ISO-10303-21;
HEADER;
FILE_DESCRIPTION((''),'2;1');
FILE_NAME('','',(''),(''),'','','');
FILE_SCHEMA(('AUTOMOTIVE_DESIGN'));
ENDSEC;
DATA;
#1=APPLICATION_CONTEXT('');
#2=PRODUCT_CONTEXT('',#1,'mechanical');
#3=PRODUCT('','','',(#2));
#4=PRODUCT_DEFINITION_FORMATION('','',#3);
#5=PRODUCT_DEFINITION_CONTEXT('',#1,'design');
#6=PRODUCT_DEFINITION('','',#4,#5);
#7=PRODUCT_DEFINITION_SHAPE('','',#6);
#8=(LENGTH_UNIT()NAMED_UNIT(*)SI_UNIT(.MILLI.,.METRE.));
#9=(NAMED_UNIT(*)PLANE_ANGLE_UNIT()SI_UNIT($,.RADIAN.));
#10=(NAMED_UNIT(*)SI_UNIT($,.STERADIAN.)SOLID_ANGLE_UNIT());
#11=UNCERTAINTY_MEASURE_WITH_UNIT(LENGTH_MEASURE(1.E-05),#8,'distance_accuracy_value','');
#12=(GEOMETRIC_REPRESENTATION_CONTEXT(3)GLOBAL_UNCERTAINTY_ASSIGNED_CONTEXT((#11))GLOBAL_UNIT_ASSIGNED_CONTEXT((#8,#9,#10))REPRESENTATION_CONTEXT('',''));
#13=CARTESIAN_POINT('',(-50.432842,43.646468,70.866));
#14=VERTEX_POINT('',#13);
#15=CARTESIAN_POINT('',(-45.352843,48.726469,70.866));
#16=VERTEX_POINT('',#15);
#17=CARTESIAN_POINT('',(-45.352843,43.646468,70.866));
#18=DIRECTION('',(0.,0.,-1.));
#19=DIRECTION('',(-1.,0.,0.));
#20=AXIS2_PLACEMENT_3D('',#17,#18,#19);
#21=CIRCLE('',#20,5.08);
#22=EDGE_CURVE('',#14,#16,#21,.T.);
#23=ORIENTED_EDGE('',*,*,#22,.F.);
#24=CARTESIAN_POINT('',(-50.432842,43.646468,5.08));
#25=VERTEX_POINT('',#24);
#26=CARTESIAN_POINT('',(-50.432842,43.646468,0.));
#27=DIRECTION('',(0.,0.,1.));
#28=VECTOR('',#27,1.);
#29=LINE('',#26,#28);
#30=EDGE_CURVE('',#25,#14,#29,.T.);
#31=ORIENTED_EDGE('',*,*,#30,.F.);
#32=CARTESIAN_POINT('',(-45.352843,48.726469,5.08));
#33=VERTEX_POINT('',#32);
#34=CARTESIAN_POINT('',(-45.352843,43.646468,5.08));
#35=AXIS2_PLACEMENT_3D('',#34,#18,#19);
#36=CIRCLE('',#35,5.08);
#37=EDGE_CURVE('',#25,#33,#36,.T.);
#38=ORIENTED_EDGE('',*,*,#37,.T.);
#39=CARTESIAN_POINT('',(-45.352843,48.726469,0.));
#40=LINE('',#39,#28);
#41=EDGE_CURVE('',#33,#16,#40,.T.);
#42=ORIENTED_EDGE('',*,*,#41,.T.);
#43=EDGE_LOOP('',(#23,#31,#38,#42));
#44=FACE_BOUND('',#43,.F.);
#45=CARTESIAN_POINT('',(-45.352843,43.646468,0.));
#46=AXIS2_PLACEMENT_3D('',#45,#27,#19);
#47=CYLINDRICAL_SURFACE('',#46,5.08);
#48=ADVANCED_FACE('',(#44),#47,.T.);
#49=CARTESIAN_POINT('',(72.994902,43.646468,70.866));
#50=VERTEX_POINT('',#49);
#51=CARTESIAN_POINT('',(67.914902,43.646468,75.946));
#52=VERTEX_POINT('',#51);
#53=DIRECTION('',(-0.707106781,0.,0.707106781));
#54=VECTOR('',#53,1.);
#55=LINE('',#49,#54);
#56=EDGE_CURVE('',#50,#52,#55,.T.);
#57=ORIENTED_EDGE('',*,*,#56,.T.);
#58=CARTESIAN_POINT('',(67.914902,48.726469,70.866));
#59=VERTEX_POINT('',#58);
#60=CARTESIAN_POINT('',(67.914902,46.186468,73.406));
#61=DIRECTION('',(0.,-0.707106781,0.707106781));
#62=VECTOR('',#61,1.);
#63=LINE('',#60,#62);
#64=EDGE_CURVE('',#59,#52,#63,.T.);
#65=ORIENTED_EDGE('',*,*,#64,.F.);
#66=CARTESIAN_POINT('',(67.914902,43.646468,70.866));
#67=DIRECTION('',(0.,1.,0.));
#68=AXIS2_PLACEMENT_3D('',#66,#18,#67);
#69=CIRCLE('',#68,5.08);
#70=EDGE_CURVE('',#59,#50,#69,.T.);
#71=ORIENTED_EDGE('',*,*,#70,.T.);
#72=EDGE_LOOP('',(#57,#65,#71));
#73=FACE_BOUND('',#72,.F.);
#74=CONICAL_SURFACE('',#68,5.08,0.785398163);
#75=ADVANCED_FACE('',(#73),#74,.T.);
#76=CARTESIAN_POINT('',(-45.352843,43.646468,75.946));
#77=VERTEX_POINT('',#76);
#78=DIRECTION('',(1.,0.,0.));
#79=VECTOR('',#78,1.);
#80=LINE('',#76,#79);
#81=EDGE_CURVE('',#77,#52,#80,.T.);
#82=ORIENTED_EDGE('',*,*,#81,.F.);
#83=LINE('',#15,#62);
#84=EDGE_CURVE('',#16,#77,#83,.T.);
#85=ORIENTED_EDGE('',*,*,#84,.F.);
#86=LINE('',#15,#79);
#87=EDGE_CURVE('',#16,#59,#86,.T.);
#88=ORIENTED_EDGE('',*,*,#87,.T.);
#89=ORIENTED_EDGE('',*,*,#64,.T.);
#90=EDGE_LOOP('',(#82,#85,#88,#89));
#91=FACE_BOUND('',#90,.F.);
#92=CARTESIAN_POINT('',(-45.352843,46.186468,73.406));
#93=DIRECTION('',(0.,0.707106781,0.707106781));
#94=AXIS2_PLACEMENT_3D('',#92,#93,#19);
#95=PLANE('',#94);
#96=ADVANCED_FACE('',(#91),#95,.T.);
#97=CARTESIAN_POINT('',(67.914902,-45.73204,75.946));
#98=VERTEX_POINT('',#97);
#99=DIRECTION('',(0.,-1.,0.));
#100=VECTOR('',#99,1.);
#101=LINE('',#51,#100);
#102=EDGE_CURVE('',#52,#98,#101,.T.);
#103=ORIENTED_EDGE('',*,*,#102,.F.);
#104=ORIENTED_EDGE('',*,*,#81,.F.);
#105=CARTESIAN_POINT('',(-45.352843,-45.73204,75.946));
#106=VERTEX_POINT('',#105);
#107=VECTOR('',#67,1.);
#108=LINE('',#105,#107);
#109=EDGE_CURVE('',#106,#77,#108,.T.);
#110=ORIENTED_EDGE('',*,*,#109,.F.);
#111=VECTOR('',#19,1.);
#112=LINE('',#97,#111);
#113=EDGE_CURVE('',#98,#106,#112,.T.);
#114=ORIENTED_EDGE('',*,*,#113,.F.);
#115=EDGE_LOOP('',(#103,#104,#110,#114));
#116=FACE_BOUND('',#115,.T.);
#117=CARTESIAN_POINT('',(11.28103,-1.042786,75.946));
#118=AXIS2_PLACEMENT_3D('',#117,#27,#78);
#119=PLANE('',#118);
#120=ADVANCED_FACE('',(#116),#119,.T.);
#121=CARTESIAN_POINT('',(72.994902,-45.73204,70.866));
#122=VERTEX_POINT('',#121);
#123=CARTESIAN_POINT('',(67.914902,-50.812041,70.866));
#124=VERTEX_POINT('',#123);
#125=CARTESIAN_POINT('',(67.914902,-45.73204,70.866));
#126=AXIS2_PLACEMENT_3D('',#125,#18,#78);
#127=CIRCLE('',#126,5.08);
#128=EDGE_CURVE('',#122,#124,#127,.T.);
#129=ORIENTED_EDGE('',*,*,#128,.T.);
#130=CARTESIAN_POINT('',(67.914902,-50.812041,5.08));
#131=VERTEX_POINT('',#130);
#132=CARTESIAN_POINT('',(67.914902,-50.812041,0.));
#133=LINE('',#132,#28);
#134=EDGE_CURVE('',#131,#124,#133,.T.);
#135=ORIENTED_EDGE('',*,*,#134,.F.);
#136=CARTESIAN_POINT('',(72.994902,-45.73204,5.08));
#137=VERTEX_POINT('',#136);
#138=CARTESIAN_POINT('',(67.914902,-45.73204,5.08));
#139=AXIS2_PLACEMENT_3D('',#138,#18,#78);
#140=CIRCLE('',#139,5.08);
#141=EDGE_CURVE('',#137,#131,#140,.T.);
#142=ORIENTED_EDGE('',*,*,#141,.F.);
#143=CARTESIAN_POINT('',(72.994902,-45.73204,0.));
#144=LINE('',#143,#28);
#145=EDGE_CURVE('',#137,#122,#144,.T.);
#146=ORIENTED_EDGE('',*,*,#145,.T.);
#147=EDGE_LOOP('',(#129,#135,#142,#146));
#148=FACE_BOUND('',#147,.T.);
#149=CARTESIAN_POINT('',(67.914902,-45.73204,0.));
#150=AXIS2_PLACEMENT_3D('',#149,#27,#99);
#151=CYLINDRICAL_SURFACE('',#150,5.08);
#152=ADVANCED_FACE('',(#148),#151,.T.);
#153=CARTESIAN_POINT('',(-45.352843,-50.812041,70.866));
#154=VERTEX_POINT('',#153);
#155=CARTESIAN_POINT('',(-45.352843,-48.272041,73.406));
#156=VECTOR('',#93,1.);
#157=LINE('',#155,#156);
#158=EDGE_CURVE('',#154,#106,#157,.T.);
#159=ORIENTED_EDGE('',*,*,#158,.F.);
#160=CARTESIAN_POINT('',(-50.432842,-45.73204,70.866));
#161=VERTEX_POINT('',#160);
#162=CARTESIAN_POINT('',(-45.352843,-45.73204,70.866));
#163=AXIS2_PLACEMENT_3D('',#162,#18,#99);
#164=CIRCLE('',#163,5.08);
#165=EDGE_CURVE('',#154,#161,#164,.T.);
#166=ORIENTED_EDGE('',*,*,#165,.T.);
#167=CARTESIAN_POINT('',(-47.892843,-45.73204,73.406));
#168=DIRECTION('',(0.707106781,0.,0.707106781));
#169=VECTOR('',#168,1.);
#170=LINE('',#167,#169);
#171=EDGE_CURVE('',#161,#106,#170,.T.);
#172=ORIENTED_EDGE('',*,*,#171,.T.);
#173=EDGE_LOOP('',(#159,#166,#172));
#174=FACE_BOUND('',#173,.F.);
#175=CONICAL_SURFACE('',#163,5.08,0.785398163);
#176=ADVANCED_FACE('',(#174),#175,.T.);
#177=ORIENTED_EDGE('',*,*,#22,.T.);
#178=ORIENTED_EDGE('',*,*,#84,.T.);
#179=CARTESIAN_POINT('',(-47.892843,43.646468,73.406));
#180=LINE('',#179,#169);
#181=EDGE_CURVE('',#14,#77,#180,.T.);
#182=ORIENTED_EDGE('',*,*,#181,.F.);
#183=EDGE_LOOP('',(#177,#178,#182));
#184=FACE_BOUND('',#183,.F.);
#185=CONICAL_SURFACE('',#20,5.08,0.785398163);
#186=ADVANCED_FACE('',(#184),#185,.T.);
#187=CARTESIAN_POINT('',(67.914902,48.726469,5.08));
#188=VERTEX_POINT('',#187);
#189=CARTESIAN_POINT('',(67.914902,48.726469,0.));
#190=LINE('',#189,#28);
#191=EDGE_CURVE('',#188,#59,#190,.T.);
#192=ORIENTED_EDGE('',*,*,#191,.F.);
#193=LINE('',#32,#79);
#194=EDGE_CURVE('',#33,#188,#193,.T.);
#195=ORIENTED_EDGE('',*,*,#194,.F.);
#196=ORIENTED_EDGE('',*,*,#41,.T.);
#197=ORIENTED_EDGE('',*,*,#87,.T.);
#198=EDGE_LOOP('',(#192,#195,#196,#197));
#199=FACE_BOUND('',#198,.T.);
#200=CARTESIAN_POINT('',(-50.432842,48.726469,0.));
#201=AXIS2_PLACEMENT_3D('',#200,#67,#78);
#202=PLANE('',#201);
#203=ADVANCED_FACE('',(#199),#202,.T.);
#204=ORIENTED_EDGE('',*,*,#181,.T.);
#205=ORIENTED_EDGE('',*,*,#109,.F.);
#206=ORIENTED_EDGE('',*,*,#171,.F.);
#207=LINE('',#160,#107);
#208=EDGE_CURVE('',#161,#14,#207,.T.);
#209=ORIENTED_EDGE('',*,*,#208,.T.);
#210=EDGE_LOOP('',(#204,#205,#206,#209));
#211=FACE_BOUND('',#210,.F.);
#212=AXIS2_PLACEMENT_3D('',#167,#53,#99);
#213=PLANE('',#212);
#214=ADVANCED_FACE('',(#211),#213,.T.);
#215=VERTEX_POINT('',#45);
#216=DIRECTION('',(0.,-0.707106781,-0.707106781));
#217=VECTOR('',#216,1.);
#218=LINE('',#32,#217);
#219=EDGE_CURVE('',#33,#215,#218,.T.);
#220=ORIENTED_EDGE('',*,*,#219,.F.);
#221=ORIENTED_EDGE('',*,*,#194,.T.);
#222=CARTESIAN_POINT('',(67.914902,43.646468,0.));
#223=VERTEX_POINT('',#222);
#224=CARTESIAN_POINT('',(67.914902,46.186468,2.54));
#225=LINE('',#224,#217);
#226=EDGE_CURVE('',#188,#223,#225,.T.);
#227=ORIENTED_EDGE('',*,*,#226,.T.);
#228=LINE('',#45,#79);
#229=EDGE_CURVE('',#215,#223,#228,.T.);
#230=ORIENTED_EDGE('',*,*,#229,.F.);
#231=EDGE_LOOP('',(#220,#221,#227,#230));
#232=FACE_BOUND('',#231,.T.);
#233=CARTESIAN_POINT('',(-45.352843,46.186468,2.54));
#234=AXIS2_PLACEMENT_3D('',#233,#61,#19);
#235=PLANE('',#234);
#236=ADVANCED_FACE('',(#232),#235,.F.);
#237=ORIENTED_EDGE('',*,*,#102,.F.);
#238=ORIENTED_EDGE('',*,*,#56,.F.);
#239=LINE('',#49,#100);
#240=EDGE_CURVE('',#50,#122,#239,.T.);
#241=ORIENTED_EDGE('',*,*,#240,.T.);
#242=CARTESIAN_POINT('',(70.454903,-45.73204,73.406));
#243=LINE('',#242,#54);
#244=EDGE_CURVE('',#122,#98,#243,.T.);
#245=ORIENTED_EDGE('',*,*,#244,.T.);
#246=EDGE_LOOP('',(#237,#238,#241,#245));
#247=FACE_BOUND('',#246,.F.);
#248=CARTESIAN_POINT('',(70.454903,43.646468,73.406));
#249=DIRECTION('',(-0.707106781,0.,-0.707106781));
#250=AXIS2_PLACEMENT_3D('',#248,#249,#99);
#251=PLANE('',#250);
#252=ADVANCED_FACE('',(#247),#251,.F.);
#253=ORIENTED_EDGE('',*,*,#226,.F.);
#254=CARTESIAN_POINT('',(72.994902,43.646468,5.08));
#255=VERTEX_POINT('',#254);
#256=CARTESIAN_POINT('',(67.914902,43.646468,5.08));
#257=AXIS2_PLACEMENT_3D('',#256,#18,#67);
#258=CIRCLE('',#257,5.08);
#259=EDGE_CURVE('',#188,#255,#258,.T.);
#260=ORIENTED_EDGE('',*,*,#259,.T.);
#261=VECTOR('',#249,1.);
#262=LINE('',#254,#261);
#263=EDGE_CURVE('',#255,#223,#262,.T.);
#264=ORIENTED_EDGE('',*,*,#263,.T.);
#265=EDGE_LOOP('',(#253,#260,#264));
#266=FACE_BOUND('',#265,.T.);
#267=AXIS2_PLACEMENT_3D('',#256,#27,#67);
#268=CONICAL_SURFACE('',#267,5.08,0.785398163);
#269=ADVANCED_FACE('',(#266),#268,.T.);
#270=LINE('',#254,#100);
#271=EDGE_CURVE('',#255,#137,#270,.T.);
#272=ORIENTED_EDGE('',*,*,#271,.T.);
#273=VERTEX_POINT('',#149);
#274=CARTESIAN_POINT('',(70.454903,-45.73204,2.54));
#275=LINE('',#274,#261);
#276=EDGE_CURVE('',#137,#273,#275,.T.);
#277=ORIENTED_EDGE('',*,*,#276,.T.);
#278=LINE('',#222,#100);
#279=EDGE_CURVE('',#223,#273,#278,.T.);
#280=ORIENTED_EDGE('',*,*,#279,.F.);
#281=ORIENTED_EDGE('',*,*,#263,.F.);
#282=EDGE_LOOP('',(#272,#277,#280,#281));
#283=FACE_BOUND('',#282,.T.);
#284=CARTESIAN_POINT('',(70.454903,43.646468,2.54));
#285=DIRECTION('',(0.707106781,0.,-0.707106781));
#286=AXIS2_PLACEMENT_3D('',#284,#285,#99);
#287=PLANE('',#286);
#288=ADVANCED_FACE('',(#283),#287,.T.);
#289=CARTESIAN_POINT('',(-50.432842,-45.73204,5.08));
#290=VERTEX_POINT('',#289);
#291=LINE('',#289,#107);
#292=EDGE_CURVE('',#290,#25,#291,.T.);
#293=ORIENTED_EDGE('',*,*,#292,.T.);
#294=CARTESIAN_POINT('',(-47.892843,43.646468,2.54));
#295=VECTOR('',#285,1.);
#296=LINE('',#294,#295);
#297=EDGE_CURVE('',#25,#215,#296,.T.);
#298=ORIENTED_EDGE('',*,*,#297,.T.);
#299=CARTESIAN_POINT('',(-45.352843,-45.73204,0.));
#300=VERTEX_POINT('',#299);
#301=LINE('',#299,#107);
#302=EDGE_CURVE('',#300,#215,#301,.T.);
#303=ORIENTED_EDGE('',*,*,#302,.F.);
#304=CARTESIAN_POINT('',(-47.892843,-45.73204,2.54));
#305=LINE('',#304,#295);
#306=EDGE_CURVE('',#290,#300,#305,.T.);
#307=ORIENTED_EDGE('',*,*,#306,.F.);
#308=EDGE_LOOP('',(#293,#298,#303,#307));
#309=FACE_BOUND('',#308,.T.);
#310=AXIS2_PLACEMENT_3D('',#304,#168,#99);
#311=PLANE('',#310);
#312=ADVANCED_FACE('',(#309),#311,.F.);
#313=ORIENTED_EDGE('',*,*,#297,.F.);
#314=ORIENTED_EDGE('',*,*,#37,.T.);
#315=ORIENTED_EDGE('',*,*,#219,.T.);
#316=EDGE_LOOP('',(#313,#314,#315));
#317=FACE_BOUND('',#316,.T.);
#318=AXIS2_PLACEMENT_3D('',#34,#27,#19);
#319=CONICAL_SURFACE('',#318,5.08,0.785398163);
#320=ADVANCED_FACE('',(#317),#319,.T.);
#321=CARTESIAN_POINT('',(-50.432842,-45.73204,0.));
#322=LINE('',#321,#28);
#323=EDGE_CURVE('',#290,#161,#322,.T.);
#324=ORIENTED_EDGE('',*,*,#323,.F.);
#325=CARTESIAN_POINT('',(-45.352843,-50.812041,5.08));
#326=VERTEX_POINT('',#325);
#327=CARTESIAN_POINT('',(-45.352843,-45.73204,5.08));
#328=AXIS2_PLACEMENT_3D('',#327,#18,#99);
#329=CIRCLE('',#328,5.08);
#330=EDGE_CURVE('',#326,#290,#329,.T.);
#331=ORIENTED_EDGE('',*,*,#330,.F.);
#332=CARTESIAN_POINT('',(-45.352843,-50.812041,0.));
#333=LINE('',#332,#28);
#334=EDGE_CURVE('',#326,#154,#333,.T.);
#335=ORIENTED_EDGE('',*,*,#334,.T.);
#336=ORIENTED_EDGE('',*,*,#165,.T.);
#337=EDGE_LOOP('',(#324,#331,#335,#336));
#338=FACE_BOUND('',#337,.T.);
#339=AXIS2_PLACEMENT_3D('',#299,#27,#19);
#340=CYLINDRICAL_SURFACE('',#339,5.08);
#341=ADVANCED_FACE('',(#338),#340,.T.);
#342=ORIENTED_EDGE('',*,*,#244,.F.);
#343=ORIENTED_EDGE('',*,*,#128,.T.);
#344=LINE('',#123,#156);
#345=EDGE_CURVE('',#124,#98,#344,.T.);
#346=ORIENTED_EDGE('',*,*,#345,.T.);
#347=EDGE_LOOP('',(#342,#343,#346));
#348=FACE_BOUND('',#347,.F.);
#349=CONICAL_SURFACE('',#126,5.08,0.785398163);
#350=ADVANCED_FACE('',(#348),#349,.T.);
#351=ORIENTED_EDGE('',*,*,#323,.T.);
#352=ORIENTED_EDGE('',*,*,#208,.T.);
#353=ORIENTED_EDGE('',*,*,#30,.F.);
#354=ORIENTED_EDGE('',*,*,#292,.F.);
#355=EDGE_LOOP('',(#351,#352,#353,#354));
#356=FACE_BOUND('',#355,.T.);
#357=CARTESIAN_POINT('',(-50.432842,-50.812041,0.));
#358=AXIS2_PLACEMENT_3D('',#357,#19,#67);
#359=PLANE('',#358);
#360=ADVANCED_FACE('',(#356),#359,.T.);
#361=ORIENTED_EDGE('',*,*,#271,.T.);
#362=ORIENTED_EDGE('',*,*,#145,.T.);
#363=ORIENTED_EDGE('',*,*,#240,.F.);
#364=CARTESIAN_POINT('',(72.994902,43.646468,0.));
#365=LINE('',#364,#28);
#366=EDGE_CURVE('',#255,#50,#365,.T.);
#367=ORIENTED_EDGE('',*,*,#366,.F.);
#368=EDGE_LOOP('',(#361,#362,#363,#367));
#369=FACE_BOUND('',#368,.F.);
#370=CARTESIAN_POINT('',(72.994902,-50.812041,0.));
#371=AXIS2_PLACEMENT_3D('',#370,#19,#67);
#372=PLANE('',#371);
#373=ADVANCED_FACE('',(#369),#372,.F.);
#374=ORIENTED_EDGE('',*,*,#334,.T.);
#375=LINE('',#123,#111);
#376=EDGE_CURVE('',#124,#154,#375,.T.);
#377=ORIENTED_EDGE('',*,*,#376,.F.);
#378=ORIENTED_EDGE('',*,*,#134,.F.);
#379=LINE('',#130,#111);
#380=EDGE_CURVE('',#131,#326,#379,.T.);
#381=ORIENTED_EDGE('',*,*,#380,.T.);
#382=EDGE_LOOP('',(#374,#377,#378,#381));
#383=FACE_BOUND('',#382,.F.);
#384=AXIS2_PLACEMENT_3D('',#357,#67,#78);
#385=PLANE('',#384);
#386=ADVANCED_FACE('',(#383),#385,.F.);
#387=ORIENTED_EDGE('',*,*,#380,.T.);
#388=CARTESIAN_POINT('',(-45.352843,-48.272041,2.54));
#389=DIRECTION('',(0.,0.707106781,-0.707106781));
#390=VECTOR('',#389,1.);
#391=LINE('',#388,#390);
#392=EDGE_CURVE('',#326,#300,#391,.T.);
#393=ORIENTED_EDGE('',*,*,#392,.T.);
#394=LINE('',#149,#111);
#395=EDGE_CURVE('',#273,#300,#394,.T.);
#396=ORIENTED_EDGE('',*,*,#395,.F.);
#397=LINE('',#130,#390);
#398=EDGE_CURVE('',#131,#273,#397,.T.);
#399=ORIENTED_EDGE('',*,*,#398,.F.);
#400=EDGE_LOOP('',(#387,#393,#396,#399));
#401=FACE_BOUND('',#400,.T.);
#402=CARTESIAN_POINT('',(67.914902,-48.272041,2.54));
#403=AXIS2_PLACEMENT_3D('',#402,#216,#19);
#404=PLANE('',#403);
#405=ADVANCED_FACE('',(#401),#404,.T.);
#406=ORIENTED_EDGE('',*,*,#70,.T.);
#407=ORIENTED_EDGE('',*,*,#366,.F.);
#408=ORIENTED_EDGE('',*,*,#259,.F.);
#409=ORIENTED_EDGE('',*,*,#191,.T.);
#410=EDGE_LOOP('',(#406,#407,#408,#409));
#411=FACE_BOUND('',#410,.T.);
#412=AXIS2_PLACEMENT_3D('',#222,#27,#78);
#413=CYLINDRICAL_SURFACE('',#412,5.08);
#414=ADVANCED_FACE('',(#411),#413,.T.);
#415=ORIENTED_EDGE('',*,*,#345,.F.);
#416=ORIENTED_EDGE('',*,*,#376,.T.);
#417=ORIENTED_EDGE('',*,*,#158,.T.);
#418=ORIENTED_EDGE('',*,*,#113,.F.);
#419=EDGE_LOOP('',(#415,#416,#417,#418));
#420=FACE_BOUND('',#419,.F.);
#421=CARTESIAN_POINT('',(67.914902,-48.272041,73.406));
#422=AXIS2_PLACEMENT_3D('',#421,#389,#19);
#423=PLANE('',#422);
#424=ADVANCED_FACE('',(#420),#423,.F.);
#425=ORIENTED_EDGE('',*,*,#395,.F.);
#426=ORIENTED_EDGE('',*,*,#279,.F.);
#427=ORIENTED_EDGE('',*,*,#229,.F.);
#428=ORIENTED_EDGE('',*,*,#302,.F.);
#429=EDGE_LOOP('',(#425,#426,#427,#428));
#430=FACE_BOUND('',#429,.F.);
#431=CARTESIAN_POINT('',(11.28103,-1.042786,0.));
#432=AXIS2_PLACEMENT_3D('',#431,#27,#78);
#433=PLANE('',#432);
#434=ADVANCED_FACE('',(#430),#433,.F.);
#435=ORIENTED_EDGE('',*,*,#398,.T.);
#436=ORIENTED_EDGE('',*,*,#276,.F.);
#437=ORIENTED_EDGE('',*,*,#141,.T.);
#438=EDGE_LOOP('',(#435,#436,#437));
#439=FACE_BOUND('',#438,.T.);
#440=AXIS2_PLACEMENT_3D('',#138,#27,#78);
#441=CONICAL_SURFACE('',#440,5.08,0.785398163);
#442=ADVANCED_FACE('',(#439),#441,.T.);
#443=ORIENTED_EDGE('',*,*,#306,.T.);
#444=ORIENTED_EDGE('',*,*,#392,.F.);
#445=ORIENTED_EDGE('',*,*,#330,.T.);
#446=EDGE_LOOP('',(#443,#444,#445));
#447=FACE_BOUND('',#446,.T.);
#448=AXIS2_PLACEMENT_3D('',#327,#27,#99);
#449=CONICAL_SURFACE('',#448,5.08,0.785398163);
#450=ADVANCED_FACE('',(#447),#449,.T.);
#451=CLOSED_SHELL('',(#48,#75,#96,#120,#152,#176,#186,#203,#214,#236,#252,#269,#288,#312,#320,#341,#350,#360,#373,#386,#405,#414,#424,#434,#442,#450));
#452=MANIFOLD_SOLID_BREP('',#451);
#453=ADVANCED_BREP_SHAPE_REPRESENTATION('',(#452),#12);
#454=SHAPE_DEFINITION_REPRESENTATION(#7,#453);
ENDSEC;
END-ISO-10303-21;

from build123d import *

# Parameters (mm, degrees)
F0_W     = 123.427745
F0_H     = 99.538509
F1_DEPTH = 75.946
F2_R     = 5.08
F3_SIZE  = 5.08


with BuildPart() as f1:
    # F0 (on Top) → F1 (new body)
    with BuildSketch(Plane.XY):
        with Locations((11.28103, -1.042786)):
            Rectangle(F0_W, F0_H)
    extrude(amount=F1_DEPTH)

    # F2
    f2_edges = [f1.edges().sort_by_distance(p)[0] for p in [
        (72.994903, 48.726469, 37.973),
        (-50.432842, 48.726469, 37.973),
        (72.994903, -50.81204, 37.973),
        (-50.432842, -50.81204, 37.973),
    ]]
    fillet(f2_edges, radius=F2_R)

    # F3
    f3_edges = [f1.edges().sort_by_distance(p)[0] for p in [
        (-50.432842, -1.042785, 75.946),
        (-50.432842, -1.042785, 0),
    ]]
    chamfer(f3_edges, length=F3_SIZE)


solid = f1.part
